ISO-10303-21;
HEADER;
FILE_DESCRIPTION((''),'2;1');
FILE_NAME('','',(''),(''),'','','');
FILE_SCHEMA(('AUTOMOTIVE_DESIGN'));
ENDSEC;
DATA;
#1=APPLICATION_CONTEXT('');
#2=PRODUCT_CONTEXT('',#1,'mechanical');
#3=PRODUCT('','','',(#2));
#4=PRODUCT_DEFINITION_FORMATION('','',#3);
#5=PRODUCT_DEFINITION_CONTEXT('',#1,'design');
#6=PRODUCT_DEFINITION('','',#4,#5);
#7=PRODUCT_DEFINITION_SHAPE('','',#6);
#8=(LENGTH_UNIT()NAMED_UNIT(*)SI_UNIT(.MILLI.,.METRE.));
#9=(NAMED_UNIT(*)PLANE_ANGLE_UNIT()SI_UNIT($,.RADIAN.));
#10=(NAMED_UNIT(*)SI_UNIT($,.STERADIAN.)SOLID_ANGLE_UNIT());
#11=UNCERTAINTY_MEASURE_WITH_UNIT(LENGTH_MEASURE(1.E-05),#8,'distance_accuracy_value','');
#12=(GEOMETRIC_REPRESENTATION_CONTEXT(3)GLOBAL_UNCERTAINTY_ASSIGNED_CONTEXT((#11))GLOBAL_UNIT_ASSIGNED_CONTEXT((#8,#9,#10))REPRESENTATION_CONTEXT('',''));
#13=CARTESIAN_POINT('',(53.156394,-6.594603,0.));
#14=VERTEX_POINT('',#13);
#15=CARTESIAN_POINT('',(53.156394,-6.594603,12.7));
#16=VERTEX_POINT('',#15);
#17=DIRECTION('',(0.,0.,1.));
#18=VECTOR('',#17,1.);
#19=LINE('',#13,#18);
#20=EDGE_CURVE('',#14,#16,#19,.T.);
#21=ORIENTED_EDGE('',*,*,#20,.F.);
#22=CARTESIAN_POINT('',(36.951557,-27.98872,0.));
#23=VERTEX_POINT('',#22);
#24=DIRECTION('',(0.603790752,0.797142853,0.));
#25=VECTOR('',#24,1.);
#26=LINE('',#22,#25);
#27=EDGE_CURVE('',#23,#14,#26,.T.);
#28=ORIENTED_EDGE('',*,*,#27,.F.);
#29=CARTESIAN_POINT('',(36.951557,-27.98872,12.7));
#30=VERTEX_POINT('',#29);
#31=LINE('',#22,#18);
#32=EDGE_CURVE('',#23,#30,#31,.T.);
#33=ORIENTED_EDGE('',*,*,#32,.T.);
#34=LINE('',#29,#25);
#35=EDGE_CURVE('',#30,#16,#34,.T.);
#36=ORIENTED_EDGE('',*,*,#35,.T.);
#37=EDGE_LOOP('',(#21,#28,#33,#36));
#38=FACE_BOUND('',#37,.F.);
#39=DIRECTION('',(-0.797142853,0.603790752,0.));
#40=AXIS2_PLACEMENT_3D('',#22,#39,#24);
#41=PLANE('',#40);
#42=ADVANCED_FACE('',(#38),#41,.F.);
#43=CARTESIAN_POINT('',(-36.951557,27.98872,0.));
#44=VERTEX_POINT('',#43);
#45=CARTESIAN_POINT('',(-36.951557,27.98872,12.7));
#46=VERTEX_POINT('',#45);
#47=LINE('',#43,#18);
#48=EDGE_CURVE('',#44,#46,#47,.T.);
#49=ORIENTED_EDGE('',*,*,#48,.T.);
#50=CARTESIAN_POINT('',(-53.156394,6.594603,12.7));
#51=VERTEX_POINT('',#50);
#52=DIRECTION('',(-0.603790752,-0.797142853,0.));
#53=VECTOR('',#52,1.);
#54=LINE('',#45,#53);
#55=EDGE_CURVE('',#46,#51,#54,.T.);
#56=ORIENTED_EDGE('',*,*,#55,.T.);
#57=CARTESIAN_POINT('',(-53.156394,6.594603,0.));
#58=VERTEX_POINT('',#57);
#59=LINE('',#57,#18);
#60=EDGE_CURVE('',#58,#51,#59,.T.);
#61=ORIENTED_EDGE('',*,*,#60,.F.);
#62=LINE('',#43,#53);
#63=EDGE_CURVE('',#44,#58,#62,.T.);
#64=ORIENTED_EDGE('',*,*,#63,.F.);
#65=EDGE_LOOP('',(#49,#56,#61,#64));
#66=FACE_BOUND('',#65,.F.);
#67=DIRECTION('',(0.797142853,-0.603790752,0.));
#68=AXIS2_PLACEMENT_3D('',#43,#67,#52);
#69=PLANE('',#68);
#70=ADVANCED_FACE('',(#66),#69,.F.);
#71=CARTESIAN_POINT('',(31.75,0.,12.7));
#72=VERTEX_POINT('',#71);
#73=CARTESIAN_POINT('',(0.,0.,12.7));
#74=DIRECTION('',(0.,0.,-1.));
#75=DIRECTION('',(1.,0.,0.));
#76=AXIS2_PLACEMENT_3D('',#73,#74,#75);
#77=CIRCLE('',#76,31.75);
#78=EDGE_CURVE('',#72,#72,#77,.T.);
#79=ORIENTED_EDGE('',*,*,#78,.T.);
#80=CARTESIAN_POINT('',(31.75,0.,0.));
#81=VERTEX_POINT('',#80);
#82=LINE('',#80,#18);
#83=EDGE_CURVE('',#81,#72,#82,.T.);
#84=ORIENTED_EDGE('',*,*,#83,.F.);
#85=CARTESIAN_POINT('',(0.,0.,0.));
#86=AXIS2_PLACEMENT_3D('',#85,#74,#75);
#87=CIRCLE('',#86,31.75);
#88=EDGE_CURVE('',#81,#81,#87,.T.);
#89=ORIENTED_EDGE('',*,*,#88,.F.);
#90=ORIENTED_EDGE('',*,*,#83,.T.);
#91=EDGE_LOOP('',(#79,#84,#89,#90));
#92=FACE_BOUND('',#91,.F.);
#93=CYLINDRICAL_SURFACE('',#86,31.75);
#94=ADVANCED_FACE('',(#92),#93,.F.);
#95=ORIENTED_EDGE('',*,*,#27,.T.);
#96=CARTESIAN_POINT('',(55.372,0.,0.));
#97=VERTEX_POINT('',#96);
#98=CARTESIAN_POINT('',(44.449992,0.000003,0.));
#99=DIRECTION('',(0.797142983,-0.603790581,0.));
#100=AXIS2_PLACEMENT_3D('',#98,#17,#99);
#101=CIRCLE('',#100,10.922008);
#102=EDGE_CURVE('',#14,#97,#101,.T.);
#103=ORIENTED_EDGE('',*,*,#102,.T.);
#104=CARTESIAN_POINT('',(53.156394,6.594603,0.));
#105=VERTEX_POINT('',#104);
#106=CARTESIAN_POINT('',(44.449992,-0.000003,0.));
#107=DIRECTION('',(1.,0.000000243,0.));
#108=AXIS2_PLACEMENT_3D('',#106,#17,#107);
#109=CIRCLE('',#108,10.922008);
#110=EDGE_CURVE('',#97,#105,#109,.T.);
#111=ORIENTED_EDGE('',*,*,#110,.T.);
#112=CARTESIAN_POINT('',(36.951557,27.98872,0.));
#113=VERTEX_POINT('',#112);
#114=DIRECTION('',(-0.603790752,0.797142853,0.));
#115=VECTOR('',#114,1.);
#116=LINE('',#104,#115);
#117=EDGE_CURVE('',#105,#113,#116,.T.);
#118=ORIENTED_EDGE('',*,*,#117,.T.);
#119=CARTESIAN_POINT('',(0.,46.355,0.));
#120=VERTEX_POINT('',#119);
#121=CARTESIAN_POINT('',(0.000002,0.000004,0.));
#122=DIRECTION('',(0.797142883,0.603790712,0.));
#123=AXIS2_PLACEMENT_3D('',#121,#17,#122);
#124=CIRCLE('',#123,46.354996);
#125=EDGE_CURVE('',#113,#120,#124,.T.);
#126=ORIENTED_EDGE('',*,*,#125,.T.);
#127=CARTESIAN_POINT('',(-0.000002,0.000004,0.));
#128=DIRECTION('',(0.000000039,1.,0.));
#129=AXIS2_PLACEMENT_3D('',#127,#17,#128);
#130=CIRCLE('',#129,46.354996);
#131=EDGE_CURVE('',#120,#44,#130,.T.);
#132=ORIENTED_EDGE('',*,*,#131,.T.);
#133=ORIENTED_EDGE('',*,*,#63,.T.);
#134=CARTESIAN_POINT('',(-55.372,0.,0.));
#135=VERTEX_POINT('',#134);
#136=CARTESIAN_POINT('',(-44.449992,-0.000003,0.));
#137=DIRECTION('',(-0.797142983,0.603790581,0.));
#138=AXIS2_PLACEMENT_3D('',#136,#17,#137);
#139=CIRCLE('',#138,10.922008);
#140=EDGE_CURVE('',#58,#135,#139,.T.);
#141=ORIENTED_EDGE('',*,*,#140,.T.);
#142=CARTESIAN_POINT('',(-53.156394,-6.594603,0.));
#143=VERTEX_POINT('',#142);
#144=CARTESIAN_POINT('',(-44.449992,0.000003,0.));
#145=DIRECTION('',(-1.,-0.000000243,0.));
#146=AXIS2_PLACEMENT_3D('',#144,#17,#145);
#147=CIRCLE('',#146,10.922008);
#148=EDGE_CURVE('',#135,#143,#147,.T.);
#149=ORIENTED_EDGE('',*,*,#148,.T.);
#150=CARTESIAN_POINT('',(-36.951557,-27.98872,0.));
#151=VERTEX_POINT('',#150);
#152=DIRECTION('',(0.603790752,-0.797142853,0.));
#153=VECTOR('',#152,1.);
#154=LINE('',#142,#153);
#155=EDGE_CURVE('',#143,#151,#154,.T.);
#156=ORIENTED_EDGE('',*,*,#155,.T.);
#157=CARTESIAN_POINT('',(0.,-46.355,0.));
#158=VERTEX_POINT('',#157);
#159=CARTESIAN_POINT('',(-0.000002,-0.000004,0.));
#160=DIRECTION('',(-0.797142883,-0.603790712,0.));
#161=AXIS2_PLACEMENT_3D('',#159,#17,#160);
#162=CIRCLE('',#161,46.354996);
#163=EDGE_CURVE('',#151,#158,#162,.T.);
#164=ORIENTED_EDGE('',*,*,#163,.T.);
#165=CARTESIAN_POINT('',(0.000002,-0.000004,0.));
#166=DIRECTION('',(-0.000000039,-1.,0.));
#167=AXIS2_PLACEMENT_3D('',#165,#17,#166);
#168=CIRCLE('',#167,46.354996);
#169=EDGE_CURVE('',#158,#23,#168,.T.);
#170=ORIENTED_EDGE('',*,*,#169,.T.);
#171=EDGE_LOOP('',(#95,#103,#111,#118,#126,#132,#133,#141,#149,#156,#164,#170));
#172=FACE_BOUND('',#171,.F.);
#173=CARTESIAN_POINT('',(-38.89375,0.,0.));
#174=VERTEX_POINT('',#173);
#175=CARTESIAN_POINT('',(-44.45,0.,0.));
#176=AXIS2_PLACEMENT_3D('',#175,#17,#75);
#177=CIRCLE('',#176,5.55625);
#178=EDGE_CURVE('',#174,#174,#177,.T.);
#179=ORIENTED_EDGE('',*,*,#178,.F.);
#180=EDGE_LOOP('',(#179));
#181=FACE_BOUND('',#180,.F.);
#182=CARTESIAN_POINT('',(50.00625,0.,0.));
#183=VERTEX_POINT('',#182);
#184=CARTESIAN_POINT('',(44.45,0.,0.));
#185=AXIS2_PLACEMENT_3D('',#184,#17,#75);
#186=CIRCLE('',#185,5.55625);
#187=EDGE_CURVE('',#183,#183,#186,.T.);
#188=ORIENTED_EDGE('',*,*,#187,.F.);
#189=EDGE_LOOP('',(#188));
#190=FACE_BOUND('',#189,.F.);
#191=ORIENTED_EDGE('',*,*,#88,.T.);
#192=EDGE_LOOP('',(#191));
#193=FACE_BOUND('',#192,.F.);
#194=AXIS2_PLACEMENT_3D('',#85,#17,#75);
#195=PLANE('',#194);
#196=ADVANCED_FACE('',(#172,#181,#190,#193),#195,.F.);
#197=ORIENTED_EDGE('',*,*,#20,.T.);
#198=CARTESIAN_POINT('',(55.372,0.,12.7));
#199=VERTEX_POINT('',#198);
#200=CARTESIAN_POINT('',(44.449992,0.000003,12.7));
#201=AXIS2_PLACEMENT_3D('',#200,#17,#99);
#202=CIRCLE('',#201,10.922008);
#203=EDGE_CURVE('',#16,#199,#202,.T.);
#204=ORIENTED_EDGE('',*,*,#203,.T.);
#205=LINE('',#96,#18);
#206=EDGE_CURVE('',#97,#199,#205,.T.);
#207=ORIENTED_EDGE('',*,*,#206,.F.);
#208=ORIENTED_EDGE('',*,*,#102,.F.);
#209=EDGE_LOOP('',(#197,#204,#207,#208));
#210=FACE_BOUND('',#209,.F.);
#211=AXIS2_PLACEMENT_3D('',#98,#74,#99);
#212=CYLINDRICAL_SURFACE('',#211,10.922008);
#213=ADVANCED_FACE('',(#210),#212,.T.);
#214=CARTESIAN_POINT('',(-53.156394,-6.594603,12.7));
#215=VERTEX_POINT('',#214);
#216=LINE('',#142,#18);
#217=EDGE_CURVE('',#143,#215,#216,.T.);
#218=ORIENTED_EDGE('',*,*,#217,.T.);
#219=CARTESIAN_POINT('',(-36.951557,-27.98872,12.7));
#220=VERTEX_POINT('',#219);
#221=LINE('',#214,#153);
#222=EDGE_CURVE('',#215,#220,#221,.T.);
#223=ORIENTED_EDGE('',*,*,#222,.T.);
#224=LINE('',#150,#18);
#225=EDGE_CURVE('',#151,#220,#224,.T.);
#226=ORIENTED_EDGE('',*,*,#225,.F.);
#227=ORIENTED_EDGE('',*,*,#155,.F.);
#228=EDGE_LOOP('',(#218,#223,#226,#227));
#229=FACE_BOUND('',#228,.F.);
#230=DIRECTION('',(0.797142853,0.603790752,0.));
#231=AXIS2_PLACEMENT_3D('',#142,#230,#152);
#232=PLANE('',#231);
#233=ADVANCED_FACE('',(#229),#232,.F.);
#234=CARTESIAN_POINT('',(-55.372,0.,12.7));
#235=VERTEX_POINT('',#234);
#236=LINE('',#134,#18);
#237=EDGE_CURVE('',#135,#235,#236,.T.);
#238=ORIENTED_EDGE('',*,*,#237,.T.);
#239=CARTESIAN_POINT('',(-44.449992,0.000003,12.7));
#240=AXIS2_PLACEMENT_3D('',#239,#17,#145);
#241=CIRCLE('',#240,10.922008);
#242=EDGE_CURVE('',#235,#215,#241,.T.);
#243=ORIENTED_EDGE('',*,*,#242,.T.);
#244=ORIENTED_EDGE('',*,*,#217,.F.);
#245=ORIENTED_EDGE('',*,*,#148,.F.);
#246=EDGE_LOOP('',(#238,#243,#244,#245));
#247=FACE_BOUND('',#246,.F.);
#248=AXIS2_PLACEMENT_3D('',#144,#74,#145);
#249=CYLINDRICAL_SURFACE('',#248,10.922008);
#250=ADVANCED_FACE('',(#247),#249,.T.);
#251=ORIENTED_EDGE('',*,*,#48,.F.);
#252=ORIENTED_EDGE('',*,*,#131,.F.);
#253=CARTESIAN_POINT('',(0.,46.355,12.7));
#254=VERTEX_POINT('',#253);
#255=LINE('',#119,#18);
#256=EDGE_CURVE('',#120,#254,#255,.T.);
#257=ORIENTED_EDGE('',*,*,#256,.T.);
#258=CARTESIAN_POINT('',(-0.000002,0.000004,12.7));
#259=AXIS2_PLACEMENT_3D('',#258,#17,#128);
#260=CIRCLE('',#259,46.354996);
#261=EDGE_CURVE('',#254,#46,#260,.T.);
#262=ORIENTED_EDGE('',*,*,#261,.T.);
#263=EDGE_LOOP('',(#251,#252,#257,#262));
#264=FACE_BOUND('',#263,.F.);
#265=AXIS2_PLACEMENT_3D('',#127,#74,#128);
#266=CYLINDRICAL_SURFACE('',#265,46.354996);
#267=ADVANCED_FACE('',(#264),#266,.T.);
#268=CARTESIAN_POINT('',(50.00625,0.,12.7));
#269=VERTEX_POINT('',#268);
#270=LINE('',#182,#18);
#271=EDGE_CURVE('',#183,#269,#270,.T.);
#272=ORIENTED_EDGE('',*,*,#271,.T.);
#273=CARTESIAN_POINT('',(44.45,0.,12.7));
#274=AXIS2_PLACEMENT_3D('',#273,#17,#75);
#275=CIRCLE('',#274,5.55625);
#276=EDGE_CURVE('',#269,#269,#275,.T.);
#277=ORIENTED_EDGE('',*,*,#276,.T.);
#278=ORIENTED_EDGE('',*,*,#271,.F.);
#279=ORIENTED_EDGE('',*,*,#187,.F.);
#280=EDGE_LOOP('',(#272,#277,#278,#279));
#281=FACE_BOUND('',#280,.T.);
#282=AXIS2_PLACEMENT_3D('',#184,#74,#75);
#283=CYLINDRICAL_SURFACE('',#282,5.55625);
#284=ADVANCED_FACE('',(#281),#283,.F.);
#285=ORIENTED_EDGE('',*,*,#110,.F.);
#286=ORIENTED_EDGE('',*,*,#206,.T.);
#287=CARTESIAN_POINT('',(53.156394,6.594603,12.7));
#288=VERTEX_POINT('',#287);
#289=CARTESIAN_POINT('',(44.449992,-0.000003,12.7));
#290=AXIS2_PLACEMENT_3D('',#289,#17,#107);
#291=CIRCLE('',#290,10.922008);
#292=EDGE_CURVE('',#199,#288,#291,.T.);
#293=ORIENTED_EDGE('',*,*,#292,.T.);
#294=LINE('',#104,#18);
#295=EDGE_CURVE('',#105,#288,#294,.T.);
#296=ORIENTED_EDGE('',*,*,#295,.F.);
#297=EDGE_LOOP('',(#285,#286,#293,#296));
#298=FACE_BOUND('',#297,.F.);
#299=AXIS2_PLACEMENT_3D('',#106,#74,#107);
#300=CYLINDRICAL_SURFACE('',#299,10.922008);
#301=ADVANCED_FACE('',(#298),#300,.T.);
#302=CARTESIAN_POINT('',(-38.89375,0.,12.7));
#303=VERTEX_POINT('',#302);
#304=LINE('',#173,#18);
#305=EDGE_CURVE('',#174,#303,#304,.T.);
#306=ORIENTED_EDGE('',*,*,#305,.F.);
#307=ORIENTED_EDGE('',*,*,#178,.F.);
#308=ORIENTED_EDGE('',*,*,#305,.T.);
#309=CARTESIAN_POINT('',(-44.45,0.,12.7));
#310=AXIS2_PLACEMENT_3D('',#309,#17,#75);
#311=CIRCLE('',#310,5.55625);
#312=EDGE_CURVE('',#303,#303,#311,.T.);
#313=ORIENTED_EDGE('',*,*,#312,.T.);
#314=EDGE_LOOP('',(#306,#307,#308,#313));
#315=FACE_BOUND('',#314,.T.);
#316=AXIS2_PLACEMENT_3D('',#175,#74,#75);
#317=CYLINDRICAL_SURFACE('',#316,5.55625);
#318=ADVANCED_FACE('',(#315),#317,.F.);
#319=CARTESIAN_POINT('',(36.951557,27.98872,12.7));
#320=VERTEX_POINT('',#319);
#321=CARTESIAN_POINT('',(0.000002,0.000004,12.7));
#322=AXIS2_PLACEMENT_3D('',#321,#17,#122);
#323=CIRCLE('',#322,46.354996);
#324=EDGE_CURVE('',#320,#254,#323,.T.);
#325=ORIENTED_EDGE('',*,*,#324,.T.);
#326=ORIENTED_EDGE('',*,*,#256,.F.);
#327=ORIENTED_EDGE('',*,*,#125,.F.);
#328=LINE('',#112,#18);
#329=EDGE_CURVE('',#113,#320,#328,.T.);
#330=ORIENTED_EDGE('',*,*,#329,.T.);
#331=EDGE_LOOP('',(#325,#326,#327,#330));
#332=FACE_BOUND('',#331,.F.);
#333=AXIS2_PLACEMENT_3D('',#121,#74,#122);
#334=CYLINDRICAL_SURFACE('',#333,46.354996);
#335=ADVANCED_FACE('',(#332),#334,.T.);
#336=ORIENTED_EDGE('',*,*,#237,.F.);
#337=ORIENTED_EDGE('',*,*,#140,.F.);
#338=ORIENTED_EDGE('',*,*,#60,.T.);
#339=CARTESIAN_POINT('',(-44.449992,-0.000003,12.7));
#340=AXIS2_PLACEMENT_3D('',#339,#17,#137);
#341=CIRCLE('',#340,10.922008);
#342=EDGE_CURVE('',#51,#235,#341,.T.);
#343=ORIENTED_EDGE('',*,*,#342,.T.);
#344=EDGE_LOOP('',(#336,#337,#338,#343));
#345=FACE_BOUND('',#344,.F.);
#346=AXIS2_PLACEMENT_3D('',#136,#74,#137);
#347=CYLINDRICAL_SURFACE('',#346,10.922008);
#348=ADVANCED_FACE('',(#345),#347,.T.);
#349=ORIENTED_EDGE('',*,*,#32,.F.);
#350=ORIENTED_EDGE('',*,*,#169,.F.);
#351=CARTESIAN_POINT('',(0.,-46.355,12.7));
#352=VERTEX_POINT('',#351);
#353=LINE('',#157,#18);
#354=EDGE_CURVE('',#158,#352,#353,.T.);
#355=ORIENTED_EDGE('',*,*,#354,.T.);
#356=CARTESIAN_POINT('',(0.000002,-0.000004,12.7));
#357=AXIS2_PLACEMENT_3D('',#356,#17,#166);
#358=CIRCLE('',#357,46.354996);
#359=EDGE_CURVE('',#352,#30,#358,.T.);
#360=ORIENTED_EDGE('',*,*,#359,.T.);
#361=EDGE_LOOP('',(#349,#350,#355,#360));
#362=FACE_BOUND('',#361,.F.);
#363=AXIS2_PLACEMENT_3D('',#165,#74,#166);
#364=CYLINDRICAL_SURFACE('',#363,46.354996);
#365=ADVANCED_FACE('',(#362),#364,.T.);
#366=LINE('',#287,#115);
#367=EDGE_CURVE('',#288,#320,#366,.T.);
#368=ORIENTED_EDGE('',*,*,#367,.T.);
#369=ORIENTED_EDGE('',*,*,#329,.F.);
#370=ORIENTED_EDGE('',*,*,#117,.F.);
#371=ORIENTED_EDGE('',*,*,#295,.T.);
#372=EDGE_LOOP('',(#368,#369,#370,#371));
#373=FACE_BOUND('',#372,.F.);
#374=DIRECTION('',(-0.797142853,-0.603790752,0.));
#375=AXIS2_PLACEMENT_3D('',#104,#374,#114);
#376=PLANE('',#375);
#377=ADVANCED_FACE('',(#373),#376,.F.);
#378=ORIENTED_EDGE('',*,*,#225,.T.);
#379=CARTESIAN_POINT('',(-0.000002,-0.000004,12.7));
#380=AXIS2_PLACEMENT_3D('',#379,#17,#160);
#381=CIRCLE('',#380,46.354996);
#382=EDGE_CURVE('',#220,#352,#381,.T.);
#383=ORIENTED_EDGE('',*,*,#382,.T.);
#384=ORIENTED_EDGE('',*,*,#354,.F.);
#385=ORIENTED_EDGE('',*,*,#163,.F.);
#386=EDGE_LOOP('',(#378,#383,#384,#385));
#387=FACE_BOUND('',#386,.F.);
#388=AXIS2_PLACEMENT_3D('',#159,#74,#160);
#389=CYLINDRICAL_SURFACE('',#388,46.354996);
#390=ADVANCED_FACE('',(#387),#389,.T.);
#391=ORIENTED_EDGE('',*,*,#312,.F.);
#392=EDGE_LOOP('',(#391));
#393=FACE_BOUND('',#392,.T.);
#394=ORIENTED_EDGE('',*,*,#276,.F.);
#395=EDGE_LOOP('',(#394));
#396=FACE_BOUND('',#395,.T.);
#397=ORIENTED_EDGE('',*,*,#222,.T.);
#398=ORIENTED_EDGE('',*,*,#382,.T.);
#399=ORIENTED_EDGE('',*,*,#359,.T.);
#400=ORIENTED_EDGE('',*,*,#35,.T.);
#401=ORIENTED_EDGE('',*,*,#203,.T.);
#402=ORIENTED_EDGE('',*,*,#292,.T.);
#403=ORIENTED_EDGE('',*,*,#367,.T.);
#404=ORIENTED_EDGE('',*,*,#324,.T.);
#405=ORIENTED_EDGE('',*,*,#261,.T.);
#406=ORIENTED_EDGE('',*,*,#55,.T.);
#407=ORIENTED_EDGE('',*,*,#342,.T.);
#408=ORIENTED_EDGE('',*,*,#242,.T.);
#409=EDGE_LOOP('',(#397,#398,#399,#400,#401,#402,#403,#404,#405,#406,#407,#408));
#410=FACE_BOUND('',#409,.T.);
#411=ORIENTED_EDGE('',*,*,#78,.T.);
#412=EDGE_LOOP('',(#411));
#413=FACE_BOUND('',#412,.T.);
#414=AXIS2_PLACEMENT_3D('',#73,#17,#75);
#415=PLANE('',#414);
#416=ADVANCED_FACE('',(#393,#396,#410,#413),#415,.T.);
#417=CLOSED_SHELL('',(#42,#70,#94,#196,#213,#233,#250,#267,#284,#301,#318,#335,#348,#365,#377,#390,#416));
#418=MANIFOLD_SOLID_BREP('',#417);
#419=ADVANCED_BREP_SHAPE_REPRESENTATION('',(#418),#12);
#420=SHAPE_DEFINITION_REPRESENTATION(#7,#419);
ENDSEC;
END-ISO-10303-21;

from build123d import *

# Parameters (mm, degrees)
F0_R     = 5.55625
F1_DEPTH = 12.7


with BuildPart() as f1:
    # F0 (on Top) → F1 (new body)
    with BuildSketch(Plane.XY):
        with BuildLine():
            ThreePointArc((36.951557, 27.98872), (20.632122, 41.510259), (0, 46.355))
            ThreePointArc((0, 46.355), (-20.632122, 41.510259), (-36.951557, 27.98872))
            Line((-36.951557, 27.98872), (-53.156394, 6.594603))
            ThreePointArc((-53.156394, 6.594603), (-54.803292, 3.478422), (-55.372, 0))
            ThreePointArc((-55.372, 0), (-54.803292, -3.478422), (-53.156394, -6.594603))
            Line((-53.156394, -6.594603), (-36.951557, -27.98872))
            ThreePointArc((-36.951557, -27.98872), (-20.632122, -41.510259), (0, -46.355))
            ThreePointArc((0, -46.355), (20.632122, -41.510259), (36.951557, -27.98872))
            Line((36.951557, -27.98872), (53.156394, -6.594603))
            ThreePointArc((53.156394, -6.594603), (54.803292, -3.478422), (55.372, 0))
            ThreePointArc((55.372, 0), (54.803292, 3.478422), (53.156394, 6.594603))
            Line((53.156394, 6.594603), (36.951557, 27.98872))
        make_face()
        with Locations((-44.45, 0)):
            Circle(F0_R, mode=Mode.SUBTRACT)
        with BuildLine():
            ThreePointArc((-31.75, 0), (0, 31.75), (31.75, 0))
            ThreePointArc((31.75, 0), (0, -31.75), (-31.75, 0))
        make_face(mode=Mode.SUBTRACT)
        with Locations((44.45, 0)):
            Circle(F0_R, mode=Mode.SUBTRACT)
    extrude(amount=F1_DEPTH)


solid = f1.part
